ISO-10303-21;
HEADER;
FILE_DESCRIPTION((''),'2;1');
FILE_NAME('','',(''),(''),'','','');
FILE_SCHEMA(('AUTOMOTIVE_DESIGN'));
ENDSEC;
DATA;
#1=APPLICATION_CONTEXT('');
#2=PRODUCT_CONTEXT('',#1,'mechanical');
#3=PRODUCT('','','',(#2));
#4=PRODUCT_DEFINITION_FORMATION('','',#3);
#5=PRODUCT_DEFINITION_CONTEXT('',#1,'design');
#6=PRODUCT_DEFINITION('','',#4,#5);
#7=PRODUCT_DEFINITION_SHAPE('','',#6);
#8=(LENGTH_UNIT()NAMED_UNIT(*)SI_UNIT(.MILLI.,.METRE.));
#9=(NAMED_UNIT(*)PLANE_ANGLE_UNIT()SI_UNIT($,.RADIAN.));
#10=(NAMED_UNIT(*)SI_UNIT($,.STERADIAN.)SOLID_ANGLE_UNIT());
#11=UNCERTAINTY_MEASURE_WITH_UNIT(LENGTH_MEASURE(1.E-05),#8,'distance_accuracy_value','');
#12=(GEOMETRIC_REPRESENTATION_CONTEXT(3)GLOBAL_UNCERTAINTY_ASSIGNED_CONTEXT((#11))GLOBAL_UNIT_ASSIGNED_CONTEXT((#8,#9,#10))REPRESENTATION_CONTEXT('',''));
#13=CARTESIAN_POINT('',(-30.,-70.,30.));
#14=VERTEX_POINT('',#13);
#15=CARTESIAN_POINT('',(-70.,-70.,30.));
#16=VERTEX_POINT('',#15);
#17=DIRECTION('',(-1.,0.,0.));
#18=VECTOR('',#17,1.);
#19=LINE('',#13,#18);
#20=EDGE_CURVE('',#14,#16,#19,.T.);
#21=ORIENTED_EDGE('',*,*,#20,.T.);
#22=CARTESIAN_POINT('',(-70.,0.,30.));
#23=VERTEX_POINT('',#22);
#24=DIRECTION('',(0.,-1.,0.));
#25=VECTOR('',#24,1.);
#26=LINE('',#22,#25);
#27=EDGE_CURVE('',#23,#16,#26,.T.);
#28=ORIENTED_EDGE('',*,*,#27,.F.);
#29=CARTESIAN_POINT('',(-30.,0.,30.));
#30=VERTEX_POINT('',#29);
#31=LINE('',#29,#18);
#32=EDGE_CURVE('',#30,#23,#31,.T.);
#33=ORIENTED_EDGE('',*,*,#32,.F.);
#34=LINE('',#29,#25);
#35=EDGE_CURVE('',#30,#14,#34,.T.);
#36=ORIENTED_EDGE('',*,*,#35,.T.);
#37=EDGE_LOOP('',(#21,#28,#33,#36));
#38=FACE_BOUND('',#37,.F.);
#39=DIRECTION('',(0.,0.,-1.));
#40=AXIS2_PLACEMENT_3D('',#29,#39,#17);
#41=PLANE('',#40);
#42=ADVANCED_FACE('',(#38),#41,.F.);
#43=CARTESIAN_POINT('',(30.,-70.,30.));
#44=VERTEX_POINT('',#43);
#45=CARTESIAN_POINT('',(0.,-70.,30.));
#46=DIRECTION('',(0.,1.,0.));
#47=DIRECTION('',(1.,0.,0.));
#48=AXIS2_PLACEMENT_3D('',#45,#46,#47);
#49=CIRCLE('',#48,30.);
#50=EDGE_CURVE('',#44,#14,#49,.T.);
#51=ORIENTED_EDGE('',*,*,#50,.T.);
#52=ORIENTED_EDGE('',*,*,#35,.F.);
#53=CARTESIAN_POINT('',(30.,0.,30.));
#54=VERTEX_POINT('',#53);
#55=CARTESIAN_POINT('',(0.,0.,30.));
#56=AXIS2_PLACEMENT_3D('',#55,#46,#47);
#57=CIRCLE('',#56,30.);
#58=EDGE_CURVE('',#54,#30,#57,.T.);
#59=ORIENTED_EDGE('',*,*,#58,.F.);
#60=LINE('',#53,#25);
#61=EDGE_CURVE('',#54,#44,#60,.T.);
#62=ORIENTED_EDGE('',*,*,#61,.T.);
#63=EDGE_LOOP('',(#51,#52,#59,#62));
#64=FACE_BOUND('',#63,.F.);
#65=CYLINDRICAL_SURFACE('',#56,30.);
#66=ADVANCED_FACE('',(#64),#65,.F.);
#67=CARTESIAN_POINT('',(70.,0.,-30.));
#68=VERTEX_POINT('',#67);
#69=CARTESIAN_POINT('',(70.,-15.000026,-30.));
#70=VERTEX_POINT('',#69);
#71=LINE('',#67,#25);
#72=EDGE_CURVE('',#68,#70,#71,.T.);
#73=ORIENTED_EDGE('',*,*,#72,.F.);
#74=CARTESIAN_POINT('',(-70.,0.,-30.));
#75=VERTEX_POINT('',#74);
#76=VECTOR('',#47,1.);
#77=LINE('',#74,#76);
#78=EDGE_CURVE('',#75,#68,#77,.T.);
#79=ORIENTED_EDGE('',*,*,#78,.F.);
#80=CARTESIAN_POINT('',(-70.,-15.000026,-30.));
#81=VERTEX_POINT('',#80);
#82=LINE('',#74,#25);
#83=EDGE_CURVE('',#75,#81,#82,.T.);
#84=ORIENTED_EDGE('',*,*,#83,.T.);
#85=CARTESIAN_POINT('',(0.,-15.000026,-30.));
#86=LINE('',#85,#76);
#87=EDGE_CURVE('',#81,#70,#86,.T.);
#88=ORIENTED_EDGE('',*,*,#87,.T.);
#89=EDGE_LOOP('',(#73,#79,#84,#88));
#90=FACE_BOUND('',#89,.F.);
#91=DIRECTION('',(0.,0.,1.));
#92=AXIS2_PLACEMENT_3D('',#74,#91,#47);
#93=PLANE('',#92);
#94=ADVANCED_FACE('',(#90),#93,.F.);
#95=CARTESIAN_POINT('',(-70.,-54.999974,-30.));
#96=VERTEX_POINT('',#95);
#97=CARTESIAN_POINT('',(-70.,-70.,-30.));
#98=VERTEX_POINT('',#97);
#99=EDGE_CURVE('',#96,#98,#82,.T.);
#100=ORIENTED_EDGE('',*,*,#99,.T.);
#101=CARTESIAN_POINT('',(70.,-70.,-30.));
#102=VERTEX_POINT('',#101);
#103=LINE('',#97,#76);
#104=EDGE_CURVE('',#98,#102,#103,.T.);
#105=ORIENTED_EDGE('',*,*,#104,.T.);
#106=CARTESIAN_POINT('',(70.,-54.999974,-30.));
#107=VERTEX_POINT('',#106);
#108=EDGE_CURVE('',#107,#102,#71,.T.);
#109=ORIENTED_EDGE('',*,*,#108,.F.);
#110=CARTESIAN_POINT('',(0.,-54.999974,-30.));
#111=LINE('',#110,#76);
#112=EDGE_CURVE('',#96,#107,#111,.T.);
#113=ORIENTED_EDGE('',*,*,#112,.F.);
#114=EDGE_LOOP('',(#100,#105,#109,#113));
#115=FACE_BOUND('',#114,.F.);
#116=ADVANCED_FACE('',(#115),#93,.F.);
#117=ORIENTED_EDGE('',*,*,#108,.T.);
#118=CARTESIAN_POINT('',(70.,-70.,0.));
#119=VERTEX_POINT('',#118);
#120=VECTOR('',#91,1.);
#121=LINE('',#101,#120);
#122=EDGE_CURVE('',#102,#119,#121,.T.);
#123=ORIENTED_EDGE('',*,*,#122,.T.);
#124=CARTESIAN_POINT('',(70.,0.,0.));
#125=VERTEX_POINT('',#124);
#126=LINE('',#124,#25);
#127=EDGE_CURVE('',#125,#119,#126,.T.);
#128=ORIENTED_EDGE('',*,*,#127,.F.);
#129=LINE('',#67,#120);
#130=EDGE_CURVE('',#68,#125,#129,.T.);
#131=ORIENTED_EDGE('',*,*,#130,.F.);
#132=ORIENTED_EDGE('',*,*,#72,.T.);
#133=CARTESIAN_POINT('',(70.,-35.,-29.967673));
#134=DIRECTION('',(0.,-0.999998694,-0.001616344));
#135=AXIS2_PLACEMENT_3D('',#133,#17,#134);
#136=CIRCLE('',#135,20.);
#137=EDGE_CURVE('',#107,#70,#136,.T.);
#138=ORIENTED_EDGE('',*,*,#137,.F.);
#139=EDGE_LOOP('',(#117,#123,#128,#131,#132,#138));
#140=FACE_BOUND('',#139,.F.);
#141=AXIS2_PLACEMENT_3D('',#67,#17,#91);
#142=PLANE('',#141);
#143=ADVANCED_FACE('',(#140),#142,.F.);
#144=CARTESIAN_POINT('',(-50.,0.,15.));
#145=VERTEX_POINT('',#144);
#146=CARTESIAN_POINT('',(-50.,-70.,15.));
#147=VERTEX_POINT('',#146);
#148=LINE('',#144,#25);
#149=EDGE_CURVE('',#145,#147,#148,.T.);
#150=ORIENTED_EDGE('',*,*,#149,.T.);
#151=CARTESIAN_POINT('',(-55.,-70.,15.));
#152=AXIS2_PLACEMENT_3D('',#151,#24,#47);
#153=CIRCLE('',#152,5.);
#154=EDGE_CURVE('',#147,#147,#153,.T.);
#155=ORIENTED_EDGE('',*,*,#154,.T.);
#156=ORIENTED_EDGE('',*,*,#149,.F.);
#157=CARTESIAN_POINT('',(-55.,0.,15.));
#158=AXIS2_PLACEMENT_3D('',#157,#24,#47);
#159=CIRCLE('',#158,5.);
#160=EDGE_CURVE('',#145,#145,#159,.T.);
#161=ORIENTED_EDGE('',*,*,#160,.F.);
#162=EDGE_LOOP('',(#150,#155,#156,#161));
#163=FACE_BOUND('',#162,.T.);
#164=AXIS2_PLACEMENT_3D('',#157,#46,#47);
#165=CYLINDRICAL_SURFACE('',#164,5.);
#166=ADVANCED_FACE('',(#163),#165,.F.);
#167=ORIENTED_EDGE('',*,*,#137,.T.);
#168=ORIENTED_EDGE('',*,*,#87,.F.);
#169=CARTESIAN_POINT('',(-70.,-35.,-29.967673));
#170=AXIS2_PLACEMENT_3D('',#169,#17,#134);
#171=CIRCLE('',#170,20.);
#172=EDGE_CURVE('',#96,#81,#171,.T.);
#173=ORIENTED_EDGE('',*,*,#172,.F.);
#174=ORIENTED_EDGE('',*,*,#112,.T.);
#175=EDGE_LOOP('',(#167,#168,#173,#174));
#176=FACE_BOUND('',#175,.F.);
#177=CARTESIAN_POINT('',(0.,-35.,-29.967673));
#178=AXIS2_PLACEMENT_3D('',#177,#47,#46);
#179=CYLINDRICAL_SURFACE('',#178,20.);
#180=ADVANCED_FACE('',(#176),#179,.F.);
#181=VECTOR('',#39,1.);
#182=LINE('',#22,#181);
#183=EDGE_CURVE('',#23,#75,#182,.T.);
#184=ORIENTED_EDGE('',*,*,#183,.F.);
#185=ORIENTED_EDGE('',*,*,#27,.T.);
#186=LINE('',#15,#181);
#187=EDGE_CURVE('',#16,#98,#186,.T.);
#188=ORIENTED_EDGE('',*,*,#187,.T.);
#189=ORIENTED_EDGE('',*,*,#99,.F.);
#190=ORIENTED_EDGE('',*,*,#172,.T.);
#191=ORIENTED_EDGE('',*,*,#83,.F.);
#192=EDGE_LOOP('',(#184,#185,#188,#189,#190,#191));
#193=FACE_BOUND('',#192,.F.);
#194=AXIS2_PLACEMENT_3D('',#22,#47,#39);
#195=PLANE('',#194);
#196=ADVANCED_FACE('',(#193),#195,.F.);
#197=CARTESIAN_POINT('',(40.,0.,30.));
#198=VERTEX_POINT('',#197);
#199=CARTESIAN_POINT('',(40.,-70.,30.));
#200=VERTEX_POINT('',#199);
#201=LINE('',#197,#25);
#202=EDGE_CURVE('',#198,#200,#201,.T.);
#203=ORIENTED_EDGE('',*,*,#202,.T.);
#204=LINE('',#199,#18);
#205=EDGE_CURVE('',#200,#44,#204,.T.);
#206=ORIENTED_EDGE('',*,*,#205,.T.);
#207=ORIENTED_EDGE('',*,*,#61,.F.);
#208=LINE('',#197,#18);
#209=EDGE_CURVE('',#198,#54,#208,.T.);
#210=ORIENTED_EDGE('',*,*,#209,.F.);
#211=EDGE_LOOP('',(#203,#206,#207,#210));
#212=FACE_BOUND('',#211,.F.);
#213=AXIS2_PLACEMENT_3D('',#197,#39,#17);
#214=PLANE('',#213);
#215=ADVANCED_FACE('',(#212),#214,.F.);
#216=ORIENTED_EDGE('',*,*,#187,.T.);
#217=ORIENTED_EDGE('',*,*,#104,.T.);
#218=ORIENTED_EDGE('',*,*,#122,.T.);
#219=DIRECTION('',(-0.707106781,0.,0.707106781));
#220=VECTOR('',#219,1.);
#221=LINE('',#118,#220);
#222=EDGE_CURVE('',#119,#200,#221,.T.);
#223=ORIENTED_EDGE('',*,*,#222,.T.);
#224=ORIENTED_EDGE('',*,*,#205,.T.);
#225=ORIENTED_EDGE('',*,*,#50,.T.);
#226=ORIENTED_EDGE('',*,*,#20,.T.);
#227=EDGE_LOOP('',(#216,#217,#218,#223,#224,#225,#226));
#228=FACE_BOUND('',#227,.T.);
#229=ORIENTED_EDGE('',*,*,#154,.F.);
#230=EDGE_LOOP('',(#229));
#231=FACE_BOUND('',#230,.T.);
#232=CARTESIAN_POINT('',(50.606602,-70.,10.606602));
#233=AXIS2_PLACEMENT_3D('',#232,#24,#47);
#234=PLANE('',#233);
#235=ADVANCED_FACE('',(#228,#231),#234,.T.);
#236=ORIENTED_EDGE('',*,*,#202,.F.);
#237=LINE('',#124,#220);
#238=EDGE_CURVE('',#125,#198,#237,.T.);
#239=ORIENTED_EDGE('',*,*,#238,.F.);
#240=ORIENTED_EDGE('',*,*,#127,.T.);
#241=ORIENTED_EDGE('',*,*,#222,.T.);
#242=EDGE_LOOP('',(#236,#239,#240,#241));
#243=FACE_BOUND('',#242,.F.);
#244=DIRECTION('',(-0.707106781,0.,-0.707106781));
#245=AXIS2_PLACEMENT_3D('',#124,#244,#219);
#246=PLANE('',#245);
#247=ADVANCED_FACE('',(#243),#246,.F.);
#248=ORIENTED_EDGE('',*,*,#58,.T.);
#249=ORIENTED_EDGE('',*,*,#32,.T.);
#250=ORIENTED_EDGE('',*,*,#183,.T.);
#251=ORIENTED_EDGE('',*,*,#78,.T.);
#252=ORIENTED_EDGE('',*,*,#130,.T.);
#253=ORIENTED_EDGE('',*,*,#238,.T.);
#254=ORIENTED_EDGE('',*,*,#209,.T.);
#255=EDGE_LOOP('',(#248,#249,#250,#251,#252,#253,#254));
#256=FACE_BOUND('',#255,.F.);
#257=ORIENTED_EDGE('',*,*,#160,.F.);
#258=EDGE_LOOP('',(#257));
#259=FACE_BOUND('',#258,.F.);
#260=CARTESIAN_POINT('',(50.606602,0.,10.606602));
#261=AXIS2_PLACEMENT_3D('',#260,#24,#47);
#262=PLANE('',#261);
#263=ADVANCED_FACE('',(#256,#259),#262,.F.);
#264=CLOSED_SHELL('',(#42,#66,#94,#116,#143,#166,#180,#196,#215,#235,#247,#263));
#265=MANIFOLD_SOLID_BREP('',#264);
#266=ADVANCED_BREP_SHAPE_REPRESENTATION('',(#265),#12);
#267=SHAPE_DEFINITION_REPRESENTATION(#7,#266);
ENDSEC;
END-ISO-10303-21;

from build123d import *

# Parameters (mm, degrees)
F0_W     = 30
F0_H     = 30
F0_R     = 5
F1_DEPTH = 70
F2_R     = 20
F3_DEPTH = 70


with BuildPart() as f1:
    # F0 (on Front) → F1 (new body)
    with BuildSketch(Plane.XZ):
        Polygon((70, 0), (40, 30), (40, 0), align=None)
        with Locations((-55, 15)):
            Rectangle(F0_W, F0_H)
        with Locations((-55, 15)):
            Circle(F0_R, mode=Mode.SUBTRACT)
        with BuildLine():
            Line((40, 0), (40, 30))
            Line((40, 30), (30, 30))
            ThreePointArc((30, 30), (0, 0), (-30, 30))
            Line((-30, 30), (-40, 30))
            Line((-40, 30), (-40, 0))
            Line((-40, 0), (-70, 0))
            Line((-70, 0), (-70, -30))
            Line((-70, -30), (70, -30))
            Line((70, -30), (70, 0))
            Line((70, 0), (40, 0))
        make_face()
    extrude(amount=F1_DEPTH)

    # F2 (on Right) → F3 (cut, symmetric)
    with BuildSketch(Plane.YZ):
        with Locations((-35, -29.9676731229)):
            Circle(F2_R)
    extrude(amount=F3_DEPTH, both=True, mode=Mode.SUBTRACT)


solid = f1.part
